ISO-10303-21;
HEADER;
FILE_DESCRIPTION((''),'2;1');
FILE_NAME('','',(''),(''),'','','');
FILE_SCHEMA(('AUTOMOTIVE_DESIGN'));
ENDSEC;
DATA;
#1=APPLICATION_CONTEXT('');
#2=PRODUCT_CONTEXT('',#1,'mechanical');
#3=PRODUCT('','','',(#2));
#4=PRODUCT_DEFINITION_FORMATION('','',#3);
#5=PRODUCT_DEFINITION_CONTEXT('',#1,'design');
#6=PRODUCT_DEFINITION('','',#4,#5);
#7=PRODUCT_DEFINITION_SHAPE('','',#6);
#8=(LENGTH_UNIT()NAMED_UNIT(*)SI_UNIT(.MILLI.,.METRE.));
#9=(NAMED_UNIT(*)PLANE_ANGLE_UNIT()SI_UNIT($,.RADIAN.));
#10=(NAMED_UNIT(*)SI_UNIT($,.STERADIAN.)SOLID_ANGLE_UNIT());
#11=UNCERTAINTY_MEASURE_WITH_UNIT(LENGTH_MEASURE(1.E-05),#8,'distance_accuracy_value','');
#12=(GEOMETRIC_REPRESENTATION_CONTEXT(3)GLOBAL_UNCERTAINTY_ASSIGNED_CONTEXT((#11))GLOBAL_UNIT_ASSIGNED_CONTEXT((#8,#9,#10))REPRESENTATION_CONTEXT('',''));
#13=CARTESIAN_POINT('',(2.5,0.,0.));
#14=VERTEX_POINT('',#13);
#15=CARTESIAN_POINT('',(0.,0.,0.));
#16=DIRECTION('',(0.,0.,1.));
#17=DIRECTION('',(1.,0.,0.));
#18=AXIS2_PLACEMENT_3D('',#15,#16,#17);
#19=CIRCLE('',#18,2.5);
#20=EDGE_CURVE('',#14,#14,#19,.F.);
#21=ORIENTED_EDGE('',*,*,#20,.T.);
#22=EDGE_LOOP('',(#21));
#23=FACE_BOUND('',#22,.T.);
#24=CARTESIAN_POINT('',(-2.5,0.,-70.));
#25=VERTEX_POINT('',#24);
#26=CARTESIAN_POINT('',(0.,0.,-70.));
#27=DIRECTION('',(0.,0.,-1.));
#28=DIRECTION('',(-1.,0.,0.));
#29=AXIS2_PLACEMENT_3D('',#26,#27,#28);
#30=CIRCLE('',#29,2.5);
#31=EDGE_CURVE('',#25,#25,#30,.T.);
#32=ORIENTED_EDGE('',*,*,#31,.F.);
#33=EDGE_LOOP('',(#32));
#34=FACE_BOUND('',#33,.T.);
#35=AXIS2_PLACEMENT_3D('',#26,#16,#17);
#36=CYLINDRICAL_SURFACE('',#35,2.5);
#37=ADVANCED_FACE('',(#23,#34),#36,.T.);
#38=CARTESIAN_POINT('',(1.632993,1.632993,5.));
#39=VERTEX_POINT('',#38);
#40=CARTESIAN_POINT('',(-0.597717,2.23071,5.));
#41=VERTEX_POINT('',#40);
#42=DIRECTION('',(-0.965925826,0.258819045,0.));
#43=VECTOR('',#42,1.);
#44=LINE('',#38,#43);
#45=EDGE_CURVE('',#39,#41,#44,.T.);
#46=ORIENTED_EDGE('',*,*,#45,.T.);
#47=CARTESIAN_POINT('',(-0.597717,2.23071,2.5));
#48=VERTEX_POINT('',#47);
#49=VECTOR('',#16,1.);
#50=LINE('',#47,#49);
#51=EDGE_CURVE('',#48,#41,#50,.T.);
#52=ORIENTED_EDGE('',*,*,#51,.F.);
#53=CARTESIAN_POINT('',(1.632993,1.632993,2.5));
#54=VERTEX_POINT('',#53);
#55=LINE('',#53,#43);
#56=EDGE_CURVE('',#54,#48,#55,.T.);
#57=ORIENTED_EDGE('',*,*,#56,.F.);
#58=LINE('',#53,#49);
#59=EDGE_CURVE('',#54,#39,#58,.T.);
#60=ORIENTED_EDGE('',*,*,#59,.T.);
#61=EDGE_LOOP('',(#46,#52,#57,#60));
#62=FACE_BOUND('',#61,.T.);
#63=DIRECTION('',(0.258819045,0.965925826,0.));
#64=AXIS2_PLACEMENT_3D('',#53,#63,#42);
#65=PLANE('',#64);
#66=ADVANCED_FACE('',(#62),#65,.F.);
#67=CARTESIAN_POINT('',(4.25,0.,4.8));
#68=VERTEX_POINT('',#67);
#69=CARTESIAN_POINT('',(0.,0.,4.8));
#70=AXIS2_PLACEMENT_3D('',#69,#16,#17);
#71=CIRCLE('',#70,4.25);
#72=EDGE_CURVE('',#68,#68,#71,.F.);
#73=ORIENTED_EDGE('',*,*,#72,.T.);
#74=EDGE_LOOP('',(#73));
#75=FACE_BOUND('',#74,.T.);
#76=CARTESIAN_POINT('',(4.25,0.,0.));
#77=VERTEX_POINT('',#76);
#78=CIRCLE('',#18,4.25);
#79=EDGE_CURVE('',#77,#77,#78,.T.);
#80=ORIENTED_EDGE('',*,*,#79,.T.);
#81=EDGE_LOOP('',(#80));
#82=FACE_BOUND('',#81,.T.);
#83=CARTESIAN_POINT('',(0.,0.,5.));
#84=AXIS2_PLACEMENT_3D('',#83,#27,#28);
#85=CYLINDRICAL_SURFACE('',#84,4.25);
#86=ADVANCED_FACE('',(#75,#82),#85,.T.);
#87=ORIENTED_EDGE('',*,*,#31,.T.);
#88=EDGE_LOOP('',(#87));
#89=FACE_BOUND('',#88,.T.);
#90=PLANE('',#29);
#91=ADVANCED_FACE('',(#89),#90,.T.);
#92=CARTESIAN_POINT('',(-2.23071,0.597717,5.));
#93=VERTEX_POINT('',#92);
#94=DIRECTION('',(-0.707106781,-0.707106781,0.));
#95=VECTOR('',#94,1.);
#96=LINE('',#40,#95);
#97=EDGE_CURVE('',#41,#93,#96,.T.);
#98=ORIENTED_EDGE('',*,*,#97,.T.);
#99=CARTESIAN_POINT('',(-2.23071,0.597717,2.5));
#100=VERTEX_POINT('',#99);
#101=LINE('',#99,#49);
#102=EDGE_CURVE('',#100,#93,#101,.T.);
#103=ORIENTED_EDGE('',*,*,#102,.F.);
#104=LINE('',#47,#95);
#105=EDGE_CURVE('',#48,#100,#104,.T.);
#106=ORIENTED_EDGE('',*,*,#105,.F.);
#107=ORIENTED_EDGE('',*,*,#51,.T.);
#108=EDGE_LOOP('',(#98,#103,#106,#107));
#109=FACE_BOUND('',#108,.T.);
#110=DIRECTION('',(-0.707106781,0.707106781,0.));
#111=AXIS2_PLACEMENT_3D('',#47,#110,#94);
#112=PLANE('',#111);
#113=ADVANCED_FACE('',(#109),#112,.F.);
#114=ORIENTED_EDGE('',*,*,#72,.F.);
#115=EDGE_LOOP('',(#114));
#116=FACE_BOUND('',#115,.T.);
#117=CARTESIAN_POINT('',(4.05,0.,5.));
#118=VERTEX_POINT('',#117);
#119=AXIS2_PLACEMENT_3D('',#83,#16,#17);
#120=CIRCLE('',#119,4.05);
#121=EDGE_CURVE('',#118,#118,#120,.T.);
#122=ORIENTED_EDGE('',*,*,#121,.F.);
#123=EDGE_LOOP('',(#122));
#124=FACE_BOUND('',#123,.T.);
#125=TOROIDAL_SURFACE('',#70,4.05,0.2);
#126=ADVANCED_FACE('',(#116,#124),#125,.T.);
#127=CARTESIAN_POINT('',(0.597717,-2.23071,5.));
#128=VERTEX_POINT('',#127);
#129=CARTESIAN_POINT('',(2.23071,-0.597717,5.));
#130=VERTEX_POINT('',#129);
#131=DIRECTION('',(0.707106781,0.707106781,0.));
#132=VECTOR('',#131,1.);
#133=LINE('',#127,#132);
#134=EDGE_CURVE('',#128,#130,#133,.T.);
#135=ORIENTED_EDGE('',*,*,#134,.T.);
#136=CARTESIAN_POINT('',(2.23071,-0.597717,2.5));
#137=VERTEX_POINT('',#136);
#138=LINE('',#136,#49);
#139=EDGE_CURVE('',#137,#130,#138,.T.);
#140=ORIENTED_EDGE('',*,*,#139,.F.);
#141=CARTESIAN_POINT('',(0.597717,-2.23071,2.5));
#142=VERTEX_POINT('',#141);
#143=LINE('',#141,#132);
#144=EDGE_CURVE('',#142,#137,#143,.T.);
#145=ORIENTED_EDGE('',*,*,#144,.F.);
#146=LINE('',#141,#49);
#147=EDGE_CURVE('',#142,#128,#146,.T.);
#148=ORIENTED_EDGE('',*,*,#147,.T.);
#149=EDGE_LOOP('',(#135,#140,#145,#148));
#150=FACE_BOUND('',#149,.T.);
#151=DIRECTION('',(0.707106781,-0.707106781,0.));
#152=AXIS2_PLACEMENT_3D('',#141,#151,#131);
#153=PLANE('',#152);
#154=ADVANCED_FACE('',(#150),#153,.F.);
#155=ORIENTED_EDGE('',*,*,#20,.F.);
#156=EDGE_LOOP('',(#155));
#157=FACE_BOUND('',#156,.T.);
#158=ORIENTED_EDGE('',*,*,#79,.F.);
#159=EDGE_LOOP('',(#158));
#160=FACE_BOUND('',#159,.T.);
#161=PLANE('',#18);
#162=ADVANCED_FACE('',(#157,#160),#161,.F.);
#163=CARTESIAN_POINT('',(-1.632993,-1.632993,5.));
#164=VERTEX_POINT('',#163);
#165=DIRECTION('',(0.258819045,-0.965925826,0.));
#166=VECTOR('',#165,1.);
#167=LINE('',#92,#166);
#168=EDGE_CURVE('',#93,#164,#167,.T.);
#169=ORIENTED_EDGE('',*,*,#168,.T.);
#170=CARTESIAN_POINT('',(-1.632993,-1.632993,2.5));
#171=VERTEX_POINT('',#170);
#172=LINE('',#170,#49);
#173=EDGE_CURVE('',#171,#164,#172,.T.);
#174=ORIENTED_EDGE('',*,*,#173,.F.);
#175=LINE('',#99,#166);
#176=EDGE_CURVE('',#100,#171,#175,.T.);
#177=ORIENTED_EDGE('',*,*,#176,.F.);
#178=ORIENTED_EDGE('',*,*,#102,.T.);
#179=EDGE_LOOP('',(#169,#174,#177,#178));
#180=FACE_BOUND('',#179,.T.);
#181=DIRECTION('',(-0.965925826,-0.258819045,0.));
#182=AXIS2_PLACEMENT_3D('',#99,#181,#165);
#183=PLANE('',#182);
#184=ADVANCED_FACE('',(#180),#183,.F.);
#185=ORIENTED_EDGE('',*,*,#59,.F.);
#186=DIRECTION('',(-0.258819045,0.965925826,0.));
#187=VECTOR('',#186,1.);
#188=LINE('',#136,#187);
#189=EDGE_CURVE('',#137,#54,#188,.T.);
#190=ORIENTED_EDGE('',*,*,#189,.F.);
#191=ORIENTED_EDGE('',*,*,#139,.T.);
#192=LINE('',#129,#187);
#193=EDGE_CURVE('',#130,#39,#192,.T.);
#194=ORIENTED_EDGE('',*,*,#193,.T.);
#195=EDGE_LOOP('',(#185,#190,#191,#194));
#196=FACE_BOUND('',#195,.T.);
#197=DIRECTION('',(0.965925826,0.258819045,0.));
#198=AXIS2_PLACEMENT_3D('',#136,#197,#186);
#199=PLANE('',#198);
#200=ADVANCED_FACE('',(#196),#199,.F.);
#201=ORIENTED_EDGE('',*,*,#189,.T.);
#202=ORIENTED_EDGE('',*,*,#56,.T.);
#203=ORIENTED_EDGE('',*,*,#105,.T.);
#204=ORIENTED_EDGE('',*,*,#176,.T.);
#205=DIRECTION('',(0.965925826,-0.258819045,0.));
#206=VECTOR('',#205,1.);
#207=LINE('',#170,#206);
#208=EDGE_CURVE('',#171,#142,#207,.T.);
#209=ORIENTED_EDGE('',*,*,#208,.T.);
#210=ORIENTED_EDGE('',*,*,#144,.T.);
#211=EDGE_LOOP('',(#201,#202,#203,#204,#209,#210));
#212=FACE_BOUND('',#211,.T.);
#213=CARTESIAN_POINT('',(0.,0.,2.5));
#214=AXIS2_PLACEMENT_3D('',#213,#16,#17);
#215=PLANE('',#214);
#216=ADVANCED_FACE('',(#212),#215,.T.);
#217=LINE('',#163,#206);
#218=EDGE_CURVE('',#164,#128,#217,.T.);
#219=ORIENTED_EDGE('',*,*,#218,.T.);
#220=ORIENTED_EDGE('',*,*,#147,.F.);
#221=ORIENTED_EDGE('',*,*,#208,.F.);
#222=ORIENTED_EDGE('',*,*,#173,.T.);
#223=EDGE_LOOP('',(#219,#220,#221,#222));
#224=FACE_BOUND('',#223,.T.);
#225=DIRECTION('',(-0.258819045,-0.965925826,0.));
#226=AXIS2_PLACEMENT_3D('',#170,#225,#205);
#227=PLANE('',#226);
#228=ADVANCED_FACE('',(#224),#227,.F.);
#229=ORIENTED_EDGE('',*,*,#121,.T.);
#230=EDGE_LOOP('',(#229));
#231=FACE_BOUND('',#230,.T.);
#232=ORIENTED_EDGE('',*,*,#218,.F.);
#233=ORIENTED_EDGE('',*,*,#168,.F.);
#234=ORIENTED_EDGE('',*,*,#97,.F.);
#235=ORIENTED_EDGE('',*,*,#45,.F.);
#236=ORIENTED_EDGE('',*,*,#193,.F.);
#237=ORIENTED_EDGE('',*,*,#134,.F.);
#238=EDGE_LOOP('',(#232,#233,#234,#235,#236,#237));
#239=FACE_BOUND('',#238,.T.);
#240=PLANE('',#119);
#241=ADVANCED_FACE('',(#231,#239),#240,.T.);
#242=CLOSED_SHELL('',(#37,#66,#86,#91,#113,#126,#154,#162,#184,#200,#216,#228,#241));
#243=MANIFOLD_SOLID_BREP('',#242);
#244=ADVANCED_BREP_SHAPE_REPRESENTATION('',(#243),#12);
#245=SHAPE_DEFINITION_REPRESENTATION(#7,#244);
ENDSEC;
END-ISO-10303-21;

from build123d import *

# Parameters (mm, degrees)
SKETCH_1_R          = 4.25
EXTRUDE_1_DEPTH     = 5
CUT_EXTRUDE_1_DEPTH = 2.5
SKETCH_3_R          = 2.5
EXTRUDE_2_DEPTH     = 70
FILLET_1_R          = 0.2


with BuildPart() as part:
    # 草图1 → 凸台-拉伸1 (new body)
    with BuildSketch(Plane.XY):
        Circle(SKETCH_1_R)
    extrude(amount=EXTRUDE_1_DEPTH)

    # 草图2 → 切除-拉伸1 (cut)
    with BuildSketch(Plane.XY.offset(5)):
        Polygon((-1.632993162, -1.632993162), (0.597716981, -2.230710143), (2.230710143, -0.597716981), (1.632993162, 1.632993162), (-0.597716981, 2.230710143), (-2.230710143, 0.597716981), align=None)
    extrude(amount=-CUT_EXTRUDE_1_DEPTH, mode=Mode.SUBTRACT)

    # 草图3 → 凸台-拉伸2 (add)
    with BuildSketch(Plane(origin=(0, 0, 0), x_dir=(-1, 0, 0), z_dir=(0, 0, -1))):
        with Locations(Location((0, 0, 0), (0, 0, 180))):
            Circle(SKETCH_3_R)
    extrude(amount=EXTRUDE_2_DEPTH)

    # 圆角1
    fillet_1_edges = [part.edges().sort_by_distance(p)[0] for p in [
        (-4.25, 0, 5),
    ]]
    fillet(fillet_1_edges, radius=FILLET_1_R)


solid = part.part
